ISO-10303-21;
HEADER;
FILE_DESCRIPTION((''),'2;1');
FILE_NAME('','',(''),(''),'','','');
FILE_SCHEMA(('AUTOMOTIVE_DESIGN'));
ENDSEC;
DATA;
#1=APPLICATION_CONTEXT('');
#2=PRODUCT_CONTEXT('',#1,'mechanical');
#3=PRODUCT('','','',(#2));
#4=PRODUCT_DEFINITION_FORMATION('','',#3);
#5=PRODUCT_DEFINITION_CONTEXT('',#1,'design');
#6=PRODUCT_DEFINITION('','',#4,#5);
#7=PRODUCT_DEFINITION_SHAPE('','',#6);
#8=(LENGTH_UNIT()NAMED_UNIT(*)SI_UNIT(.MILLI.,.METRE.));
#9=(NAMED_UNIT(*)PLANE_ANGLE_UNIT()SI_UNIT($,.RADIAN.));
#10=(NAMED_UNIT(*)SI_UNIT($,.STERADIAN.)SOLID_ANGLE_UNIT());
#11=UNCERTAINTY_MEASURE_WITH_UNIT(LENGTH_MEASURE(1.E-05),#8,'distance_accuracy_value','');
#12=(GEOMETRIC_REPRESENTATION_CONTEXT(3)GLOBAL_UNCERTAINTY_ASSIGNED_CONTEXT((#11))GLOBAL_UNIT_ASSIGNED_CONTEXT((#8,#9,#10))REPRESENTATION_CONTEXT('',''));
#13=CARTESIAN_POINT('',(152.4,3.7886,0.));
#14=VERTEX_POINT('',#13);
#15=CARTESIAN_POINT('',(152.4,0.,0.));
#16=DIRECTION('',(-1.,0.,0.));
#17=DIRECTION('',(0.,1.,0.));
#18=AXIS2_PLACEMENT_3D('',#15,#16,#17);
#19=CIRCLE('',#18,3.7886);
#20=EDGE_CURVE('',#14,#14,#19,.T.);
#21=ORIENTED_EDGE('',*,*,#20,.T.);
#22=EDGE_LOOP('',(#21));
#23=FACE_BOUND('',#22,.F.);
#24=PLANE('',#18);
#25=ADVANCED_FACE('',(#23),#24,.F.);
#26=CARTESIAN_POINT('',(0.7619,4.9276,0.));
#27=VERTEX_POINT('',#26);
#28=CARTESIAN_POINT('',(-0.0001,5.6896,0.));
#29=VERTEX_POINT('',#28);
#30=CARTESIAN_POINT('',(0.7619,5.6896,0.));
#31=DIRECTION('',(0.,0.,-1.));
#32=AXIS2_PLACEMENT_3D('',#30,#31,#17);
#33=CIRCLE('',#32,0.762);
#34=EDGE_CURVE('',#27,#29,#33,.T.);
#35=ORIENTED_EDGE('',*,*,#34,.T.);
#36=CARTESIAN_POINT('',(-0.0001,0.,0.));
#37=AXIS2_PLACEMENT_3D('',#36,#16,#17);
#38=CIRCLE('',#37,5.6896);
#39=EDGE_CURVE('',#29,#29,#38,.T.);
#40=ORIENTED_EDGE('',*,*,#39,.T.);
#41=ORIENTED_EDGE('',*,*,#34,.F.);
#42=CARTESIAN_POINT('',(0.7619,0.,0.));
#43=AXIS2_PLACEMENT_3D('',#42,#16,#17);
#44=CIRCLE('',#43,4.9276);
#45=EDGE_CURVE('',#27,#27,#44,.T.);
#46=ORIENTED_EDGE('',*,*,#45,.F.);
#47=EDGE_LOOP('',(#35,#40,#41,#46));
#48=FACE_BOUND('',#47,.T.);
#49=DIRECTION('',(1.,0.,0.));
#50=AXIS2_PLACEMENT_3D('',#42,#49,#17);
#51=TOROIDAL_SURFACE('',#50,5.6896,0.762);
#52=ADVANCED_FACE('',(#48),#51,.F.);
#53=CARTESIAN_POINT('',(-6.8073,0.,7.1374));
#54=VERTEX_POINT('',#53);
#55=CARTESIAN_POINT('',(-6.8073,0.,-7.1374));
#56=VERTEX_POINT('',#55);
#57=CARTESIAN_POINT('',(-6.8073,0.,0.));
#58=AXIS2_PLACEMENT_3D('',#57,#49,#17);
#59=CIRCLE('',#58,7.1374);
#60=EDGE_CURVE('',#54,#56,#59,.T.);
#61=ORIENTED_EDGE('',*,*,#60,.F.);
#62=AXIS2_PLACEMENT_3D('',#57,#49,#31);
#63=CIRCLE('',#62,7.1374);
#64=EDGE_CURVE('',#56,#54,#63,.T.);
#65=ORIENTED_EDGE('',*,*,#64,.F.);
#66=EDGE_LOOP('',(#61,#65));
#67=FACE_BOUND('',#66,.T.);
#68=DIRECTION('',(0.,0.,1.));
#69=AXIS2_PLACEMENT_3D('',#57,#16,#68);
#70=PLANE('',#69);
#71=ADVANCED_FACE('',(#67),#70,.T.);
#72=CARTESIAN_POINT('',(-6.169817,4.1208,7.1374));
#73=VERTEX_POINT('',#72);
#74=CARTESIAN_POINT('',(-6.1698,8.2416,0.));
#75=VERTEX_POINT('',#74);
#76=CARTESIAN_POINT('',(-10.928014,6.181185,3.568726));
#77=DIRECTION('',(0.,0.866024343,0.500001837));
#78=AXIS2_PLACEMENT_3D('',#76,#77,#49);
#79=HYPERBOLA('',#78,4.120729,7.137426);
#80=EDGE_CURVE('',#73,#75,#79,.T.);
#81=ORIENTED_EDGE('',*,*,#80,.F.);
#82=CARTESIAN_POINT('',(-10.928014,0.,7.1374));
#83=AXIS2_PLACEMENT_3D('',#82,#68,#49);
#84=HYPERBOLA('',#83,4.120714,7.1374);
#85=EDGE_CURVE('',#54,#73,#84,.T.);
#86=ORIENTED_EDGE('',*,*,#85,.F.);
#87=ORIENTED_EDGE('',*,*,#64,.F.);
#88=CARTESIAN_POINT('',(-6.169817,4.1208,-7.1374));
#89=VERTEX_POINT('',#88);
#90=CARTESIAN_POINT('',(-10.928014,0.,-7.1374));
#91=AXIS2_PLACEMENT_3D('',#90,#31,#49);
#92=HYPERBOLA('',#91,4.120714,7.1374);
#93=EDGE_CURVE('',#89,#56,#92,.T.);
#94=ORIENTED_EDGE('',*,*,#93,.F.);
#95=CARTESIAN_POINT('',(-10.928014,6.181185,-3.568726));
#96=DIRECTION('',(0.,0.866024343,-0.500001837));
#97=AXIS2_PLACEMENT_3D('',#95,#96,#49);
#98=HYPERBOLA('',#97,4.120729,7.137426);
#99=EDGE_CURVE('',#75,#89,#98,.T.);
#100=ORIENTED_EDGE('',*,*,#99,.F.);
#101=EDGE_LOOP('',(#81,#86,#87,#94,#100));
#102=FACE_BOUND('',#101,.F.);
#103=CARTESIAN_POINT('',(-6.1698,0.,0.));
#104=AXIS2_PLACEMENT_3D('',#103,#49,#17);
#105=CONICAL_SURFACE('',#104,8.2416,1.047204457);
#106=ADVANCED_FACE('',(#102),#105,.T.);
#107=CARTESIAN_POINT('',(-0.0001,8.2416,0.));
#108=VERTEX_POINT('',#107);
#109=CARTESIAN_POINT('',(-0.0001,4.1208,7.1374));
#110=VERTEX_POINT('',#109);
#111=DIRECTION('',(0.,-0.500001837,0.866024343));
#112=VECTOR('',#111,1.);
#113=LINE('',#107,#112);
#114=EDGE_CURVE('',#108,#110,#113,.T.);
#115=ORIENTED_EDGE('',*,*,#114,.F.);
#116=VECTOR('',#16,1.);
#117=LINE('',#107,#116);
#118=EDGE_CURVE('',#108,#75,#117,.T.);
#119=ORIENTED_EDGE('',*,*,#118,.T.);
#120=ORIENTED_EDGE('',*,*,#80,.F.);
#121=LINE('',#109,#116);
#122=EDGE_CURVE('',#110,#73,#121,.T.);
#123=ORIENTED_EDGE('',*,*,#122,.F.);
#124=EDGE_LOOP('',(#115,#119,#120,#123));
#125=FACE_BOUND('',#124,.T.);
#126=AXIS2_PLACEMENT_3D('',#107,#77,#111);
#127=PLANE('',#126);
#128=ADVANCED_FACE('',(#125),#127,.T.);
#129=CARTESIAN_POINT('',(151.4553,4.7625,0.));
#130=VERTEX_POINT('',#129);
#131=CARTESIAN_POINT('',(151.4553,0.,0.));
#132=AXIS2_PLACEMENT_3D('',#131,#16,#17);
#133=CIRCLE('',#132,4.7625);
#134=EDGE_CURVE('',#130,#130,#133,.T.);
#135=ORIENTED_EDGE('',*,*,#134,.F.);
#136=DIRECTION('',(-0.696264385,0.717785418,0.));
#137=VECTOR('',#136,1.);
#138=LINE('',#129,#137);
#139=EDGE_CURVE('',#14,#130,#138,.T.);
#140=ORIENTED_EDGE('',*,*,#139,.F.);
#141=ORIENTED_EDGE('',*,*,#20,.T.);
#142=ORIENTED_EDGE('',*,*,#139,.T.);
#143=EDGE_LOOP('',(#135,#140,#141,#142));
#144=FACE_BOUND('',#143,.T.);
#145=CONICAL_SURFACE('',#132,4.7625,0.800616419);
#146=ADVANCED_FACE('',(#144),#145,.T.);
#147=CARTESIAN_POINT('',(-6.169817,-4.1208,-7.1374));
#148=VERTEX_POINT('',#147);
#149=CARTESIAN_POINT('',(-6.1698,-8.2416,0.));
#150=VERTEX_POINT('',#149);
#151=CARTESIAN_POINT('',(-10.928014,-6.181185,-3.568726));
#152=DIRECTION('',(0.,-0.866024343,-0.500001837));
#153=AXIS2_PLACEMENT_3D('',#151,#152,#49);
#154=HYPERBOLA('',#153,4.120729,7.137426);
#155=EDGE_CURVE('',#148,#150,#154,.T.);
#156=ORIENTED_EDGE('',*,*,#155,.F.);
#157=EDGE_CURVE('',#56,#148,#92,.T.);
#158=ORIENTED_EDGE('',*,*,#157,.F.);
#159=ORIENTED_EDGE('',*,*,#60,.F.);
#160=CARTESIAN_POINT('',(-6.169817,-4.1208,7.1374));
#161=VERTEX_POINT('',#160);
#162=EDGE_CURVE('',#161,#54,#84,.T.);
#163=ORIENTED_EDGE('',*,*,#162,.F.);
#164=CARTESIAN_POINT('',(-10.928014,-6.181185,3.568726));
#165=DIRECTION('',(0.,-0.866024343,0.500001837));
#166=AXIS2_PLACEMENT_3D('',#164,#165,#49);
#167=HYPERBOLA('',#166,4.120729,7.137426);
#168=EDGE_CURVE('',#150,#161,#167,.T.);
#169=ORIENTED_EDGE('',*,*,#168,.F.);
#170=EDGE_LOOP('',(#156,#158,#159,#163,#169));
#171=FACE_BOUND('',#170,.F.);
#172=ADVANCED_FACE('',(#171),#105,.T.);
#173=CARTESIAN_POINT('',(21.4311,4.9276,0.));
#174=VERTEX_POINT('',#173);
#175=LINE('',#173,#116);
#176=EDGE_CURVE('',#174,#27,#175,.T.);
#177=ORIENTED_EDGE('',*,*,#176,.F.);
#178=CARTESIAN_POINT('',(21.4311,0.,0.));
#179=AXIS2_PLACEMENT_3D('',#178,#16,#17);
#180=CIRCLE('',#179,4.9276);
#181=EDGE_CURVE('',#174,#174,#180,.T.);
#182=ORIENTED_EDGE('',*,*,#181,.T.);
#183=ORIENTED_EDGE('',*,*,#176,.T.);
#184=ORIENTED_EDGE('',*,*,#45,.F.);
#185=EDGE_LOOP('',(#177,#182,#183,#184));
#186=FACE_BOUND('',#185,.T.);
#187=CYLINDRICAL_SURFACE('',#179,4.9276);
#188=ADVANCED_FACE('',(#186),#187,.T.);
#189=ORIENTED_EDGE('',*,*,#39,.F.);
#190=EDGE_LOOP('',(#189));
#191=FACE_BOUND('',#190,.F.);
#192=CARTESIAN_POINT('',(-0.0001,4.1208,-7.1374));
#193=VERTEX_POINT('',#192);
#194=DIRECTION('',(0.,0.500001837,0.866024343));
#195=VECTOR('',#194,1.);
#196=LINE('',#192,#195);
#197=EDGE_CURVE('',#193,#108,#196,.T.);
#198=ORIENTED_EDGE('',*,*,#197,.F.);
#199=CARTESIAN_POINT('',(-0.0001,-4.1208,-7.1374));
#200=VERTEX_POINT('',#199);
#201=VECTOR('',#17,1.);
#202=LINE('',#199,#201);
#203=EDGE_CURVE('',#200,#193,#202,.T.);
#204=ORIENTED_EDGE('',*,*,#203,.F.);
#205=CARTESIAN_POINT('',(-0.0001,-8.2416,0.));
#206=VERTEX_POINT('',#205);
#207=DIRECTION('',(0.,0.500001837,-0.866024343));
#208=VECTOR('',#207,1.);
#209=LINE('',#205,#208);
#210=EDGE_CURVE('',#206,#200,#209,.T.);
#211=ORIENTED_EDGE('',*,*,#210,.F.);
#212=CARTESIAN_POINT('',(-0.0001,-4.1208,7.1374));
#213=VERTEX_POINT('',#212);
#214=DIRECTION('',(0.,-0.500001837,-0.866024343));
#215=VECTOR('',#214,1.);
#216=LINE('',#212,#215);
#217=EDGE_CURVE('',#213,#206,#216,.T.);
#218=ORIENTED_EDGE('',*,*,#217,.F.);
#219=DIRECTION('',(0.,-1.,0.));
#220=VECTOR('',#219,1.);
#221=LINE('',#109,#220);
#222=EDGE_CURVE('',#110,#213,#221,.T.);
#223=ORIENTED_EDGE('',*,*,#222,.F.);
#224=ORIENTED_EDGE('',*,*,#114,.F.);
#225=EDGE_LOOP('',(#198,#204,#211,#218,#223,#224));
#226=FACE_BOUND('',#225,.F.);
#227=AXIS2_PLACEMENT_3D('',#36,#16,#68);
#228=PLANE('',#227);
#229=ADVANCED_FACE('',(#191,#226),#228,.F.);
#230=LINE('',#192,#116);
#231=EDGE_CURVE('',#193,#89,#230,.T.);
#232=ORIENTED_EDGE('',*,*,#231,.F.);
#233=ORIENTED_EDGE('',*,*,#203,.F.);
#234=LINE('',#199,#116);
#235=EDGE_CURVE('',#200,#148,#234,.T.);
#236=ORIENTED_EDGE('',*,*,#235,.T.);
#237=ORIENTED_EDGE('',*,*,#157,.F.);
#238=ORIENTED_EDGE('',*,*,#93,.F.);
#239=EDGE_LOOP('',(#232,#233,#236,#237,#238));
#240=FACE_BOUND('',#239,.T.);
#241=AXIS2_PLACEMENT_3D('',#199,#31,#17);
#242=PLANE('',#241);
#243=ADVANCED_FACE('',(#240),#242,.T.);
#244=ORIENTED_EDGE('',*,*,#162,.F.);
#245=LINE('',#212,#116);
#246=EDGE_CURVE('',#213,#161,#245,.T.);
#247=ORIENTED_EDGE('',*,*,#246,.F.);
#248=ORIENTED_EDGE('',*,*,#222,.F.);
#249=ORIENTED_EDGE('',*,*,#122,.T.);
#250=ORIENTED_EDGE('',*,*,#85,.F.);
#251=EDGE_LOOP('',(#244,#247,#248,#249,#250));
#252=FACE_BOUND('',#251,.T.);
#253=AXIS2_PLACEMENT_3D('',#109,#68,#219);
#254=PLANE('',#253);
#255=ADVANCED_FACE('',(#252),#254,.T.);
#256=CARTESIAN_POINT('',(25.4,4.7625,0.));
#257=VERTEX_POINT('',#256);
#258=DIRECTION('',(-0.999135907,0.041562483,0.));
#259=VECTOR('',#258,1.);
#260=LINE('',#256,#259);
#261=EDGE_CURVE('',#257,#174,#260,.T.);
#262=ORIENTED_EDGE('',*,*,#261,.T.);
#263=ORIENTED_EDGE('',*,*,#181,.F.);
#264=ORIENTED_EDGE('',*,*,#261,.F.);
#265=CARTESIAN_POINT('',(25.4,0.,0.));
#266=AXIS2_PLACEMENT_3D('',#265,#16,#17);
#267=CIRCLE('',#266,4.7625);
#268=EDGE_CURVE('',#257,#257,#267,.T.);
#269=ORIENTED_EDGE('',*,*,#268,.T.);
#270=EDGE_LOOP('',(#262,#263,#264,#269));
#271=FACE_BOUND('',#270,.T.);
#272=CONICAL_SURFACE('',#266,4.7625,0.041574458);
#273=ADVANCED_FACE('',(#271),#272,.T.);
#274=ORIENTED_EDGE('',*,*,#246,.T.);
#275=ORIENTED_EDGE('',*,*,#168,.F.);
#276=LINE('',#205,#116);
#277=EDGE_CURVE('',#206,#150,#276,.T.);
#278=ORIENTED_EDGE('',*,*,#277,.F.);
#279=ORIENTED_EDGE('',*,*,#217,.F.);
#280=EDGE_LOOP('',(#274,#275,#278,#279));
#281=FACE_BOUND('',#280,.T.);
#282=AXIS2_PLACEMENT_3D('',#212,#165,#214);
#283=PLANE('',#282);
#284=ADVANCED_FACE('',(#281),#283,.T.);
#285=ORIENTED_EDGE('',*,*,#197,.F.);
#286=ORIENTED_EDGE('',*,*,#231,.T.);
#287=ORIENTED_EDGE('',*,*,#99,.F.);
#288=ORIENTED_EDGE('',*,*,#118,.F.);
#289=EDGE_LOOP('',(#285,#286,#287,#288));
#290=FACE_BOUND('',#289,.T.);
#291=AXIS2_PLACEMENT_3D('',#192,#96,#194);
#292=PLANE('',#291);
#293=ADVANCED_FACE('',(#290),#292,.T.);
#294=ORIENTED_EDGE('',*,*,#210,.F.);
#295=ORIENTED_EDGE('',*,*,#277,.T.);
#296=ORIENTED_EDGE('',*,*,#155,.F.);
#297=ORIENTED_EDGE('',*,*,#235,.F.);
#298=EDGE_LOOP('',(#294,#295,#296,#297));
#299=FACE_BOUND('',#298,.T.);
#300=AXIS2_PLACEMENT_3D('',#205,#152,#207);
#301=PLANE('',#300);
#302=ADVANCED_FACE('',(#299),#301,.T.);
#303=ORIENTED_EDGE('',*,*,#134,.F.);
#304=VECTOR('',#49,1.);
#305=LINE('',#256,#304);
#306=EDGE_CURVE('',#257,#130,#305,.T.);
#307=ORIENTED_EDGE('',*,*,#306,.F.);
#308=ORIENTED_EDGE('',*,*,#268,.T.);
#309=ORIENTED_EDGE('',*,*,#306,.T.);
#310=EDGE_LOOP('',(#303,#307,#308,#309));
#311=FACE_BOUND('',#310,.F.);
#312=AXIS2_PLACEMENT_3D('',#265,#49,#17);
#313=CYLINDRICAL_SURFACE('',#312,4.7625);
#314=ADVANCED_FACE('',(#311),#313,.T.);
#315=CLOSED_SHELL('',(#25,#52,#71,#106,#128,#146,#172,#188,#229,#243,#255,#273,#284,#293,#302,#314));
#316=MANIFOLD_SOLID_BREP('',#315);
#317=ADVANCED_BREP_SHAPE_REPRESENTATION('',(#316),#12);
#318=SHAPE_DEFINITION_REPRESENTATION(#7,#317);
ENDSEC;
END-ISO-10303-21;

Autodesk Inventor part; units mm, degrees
ref_plane "YZ Plane" through (0, 0, 0) normal (1, 0, 0) x (0, 1, 0)
ref_plane "XZ Plane" through (0, 0, 0) normal (0, 1, 0) x (-1, 0, 0)
sketch "Sketch1" plane through (0, 0, 0) normal (0, 0, 1) x (1, 0, 0)
  line L0 (0, 7.1374) -> (0, 4.9276)
  line L1 (25.4, 4.7625) -> (152.4, 4.7625)
  line L2 (152.4, 4.7625) -> (152.4, 0)
  line L3 (152.4, 0) -> (-0.0001, 0)
  line L4 (-30.4801, 0) -> (182.88, 0) projected
  line L5 (-0.0001, 0) -> (-0.0001, 7.1374)
  line L6 (-0.0001, 7.1374) -> (0, 7.1374)
  line L7 (25.4, 4.7625) -> (21.4311, 4.9276)
  line L8 (21.4311, 4.9276) -> (0, 4.9276)
  line L9 (0, -1.4275) -> (0, 8.5649) projected
  dimension "d0" = 152.4
  dimension "d1" = 127
revolve "Body" add sketch "Sketch1" angle 360 about axis through (152.4, 0, 0) along (-1, 0, 0)
sketch "Sketch2" plane through (-0.0001, 0, 0) normal (-1, 0, 0) x (0, 0, 1)
  line L0 (0, 8.2416) -> (7.1374, 4.1208)
  line L1 (7.1374, 4.1208) -> (7.1374, -4.1208)
  line L2 (7.1374, -4.1208) -> (0, -8.2416)
  line L3 (0, -8.2416) -> (-7.1374, -4.1208)
  line L4 (-7.1374, -4.1208) -> (-7.1374, 4.1208)
  line L5 (-7.1374, 4.1208) -> (0, 8.2416)
  point P0 (0, 0)
  point P1 (0, 0)
  dimension "d11" = 14.2748
extrude "Head" add sketch "Sketch2" along normal blind 6.8072
sketch "Sketch4" plane through (0, 0, 0) normal (0, 0, 1) x (1, 0, 0)
  line L0 (-6.8073, 7.1374) -> (-6.8073, 8.2416)
  line L1 (-6.8073, 8.2416) -> (-6.1698, 8.2416)
  line L2 (-6.1698, 8.2416) -> (-6.8073, 7.1374)
  line L3 (-8.1687, 0) -> (1.3613, 0) projected
  line L4 (-0.0001, 8.2416) -> (-6.8073, 8.2416) projected
  line L5 (-6.8073, 4.1208) -> (-6.8073, 8.2416) projected
  dimension "d5" = 30
  dimension "d19" = 14.2748
revolve "Chamfer1" cut sketch "Sketch4" angle 360 about axis through (-10, 0, 0) along (1, 0, 0)
thread "Thread" size "3/8-16 UNC" class "2A" standard "ANSI Unified Screw Threads" full length
chamfer "Chamfer2" distance 0.9739 distance2 0.9447 1 edges at (152.4, -4.7625, 0) measured on face at (152.4, -0.1914, 1.3928)
ref_plane "Work Plane1" through (1.525, 0, 0) normal (0, 0, 1) x (1, 0, 0)
fillet "Fillet2" radius 0.762 1 edges at (0, -4.9276, 0)
equation "\"d63\" = R"
equation "\"d11\" = SW"
equation "\"d3\" = KOH - SD"
equation "\"d15\" = GEL"
equation "\"d6\" = -0.5 * SPD + 0.5 * GD"
equation "\"d5\" = ANG1"
equation "\"d19\" = SW0"
equation "\"NLG\" = 190.5"
equation "\"GD\" = NND"
equation "\"BDM\" = 9.8552"
equation "\"KOH\" = 6.8072"
equation "\"GEL\" = 31.75"
equation "\"SW\" = 14.2748"
equation "\"SW0\" = SW"
equation "\"SPD\" = GD1"
equation "\"SD2\" = SW"
equation "\"SD\" = 0"
equation "\"ANG1\" = 30deg"
equation "\"GAL\" = 3.96875"
equation "\"GUL\" = 0.238 * GAL"
equation "\"R\" = 0.762"
equation "\"d62\" = -NLG - SD + GUL"
equation "\"GD1\" = 7.5773"
equation "\"THREADDIA\" = 9.525"
equation "\"TOA\" = 30deg"
equation "\"NND\" = 9.525"
equation "\"E0\" = 1.155 * SW"
properties part number "am-1055" material "Steel, Mild"
